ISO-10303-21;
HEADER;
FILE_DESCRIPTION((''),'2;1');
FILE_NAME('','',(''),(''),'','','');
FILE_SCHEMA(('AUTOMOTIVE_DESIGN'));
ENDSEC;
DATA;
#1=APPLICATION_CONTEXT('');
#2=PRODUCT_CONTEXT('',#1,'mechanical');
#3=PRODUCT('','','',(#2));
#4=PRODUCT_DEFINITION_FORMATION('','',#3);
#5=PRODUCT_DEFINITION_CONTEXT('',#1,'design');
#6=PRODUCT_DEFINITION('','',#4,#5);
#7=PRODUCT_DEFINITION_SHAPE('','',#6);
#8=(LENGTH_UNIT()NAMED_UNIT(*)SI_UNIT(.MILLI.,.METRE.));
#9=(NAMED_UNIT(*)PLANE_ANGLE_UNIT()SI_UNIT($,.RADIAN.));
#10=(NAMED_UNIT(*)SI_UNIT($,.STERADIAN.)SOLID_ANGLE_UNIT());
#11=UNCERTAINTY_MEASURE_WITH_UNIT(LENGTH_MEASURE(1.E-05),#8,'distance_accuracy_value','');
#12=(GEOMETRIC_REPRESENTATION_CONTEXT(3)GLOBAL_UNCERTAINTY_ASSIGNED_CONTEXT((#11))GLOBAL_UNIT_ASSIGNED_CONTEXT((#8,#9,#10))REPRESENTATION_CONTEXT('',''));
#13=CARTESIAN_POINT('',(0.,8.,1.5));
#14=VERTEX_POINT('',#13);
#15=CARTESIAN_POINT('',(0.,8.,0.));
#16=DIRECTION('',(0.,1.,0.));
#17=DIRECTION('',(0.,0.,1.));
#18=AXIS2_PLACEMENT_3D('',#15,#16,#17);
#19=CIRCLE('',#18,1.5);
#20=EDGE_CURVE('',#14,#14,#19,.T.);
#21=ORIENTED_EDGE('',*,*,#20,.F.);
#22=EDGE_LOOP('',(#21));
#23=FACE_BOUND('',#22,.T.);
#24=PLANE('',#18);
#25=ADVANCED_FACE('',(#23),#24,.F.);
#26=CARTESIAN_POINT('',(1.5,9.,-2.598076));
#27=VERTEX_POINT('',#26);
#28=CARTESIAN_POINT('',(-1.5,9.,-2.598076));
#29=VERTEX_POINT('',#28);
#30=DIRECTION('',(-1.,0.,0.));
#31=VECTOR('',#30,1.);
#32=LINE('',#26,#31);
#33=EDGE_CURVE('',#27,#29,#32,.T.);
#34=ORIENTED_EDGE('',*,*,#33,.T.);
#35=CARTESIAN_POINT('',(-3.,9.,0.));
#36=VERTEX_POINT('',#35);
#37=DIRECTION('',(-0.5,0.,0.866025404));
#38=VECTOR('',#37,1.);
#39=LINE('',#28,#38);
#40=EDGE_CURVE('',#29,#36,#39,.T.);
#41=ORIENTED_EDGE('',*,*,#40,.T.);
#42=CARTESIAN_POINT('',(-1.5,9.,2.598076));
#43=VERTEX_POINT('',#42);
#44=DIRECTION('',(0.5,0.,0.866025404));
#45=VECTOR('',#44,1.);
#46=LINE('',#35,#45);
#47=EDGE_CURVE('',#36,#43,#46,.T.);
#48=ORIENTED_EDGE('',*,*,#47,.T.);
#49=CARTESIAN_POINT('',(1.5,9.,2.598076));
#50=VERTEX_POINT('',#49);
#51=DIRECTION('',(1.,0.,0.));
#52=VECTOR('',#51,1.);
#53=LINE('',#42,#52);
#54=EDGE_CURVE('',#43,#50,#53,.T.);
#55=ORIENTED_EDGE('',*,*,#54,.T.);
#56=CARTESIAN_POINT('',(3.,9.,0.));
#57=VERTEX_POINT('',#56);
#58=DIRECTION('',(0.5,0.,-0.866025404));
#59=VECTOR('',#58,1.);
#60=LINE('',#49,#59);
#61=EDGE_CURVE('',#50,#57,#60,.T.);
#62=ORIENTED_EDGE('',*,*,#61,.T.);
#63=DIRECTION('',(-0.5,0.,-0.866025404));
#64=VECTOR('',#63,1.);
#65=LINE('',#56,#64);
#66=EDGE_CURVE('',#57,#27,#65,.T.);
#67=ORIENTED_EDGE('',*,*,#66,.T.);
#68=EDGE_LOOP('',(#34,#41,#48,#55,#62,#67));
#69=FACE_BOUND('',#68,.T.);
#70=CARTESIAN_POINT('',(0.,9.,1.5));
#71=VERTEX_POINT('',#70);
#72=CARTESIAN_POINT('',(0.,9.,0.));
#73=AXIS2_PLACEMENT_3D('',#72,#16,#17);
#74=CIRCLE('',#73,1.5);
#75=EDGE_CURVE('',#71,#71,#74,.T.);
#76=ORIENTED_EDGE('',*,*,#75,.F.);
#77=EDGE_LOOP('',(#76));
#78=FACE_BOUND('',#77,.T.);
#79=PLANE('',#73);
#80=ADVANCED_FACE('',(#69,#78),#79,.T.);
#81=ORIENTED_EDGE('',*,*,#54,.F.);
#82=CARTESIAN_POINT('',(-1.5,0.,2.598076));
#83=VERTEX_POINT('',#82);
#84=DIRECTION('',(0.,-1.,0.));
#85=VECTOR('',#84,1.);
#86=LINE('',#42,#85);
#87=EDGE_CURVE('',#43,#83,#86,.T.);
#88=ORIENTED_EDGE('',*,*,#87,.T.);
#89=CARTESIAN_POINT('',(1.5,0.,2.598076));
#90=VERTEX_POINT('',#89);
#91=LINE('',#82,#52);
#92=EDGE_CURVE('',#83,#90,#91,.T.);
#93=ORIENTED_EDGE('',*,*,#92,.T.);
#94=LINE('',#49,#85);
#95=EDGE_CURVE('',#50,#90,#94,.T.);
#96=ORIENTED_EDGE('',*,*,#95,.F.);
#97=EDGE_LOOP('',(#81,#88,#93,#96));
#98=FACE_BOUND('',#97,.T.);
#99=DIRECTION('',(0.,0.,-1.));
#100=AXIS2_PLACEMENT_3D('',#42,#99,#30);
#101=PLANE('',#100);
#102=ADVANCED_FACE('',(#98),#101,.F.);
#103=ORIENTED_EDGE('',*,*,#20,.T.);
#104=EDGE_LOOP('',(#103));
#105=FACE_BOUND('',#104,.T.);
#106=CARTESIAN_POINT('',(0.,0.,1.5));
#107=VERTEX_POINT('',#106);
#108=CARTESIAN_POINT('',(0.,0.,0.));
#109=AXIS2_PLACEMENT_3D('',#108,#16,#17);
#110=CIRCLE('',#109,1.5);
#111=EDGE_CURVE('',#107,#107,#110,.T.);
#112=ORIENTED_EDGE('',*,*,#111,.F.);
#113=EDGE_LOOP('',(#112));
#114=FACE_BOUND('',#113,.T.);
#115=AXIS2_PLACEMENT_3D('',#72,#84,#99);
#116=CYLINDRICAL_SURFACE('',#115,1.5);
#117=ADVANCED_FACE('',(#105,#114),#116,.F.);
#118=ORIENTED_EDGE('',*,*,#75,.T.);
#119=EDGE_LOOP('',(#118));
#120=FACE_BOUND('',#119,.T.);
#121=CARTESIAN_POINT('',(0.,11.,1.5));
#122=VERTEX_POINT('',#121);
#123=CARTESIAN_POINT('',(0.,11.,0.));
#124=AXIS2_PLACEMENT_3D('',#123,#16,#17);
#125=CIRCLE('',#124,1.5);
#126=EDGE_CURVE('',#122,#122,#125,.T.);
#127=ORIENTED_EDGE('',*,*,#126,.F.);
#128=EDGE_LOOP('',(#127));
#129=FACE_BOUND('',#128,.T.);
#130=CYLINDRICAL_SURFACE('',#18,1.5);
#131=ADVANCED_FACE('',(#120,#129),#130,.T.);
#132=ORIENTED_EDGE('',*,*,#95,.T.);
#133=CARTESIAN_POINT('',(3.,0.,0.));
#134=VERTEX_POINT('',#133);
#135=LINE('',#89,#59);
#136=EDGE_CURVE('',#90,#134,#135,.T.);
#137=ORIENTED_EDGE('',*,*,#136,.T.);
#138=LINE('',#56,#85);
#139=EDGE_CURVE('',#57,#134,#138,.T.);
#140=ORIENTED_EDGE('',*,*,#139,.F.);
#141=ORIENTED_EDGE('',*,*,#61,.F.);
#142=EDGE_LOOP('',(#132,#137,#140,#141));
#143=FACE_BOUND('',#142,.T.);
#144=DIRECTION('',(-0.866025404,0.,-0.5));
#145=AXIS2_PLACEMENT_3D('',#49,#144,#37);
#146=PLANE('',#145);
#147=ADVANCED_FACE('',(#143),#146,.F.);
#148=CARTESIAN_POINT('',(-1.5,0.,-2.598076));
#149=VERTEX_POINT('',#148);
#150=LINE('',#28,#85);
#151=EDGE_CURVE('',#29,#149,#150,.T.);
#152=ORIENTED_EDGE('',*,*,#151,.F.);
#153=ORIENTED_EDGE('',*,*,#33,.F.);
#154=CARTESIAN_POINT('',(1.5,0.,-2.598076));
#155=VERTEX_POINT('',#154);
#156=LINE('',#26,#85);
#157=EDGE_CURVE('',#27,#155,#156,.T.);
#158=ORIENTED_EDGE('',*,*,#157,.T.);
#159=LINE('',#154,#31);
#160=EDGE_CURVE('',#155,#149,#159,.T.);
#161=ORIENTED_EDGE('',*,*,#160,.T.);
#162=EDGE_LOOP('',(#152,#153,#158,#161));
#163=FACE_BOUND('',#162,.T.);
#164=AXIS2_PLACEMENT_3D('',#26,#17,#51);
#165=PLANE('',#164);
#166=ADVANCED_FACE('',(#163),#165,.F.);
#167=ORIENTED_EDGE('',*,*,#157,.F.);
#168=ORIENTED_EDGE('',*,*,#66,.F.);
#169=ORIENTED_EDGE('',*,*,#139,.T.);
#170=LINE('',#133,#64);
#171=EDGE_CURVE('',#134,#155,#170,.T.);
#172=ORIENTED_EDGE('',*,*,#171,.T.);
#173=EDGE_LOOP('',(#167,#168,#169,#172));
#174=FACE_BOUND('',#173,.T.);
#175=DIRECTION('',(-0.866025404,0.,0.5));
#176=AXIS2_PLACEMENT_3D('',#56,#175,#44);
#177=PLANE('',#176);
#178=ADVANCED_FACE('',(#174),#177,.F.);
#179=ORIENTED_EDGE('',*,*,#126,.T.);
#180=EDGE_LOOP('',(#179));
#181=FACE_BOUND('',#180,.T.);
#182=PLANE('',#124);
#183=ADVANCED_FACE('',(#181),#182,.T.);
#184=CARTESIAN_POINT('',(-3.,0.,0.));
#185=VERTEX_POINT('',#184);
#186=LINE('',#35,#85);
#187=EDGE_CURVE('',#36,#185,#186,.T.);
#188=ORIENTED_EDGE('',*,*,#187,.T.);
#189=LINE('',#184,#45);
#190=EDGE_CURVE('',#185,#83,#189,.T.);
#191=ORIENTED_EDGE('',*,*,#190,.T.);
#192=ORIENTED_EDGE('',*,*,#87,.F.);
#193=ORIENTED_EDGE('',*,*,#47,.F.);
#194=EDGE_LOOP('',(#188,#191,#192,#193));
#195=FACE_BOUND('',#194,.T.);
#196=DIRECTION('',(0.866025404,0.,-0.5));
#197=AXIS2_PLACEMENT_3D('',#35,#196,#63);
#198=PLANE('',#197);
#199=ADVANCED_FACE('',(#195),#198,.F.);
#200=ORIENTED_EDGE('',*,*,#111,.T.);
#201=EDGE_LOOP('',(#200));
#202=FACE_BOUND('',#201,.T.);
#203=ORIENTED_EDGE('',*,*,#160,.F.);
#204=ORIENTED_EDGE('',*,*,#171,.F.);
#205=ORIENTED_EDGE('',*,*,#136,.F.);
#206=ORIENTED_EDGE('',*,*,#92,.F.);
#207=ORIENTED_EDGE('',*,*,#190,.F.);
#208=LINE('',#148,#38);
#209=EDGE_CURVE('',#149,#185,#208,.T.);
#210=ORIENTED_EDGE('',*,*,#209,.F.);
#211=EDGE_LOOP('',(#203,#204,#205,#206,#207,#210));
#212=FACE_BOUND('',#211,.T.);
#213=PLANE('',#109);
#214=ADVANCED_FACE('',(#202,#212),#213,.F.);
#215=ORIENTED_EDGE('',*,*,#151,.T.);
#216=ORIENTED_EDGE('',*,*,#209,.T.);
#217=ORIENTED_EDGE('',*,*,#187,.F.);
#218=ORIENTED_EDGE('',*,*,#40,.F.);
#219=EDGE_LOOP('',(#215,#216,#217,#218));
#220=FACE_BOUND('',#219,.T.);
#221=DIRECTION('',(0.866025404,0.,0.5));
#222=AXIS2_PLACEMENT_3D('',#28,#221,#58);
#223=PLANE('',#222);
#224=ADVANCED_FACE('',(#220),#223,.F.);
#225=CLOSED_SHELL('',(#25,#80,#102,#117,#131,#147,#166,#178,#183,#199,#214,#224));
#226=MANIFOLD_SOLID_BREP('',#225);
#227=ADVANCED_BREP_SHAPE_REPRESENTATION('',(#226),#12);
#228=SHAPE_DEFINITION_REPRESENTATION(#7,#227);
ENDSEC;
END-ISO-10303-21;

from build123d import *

# Parameters (mm, degrees)
SKETCH_1_R           = 1.5
EXTRUDE_1_DEPTH      = 9
EXTRUDE_2_DEPTH      = 2
EXTRUDE_2_DEPTH_BACK = 1
SKETCH_2_R           = 1.5


with BuildPart() as part:
    # 草图1 → 凸台-拉伸1 (new body)
    with BuildSketch(Plane(origin=(0, 0, 0), x_dir=(1, 0, 0), z_dir=(0, 1, 0))):
        Polygon((3, 0), (1.5, 2.598076211), (-1.5, 2.598076211), (-3, 0), (-1.5, -2.598076211), (1.5, -2.598076211), align=None)
        with Locations(Location((0, 0, 0), (0, 0, 270))):
            Circle(SKETCH_1_R, mode=Mode.SUBTRACT)
    extrude(amount=EXTRUDE_1_DEPTH)

    # 草图2 → 凸台-拉伸2 (add, two sides: drawn at the far end of the back side and taken through both)
    with BuildSketch(Plane(origin=(0, 9, 0), x_dir=(1, 0, 0), z_dir=(0, 1, 0)).offset(-EXTRUDE_2_DEPTH_BACK)):
        with Locations(Location((0, 0, 0), (0, 0, 270))):
            Circle(SKETCH_2_R)
    extrude(amount=EXTRUDE_2_DEPTH + EXTRUDE_2_DEPTH_BACK)


solid = part.part
